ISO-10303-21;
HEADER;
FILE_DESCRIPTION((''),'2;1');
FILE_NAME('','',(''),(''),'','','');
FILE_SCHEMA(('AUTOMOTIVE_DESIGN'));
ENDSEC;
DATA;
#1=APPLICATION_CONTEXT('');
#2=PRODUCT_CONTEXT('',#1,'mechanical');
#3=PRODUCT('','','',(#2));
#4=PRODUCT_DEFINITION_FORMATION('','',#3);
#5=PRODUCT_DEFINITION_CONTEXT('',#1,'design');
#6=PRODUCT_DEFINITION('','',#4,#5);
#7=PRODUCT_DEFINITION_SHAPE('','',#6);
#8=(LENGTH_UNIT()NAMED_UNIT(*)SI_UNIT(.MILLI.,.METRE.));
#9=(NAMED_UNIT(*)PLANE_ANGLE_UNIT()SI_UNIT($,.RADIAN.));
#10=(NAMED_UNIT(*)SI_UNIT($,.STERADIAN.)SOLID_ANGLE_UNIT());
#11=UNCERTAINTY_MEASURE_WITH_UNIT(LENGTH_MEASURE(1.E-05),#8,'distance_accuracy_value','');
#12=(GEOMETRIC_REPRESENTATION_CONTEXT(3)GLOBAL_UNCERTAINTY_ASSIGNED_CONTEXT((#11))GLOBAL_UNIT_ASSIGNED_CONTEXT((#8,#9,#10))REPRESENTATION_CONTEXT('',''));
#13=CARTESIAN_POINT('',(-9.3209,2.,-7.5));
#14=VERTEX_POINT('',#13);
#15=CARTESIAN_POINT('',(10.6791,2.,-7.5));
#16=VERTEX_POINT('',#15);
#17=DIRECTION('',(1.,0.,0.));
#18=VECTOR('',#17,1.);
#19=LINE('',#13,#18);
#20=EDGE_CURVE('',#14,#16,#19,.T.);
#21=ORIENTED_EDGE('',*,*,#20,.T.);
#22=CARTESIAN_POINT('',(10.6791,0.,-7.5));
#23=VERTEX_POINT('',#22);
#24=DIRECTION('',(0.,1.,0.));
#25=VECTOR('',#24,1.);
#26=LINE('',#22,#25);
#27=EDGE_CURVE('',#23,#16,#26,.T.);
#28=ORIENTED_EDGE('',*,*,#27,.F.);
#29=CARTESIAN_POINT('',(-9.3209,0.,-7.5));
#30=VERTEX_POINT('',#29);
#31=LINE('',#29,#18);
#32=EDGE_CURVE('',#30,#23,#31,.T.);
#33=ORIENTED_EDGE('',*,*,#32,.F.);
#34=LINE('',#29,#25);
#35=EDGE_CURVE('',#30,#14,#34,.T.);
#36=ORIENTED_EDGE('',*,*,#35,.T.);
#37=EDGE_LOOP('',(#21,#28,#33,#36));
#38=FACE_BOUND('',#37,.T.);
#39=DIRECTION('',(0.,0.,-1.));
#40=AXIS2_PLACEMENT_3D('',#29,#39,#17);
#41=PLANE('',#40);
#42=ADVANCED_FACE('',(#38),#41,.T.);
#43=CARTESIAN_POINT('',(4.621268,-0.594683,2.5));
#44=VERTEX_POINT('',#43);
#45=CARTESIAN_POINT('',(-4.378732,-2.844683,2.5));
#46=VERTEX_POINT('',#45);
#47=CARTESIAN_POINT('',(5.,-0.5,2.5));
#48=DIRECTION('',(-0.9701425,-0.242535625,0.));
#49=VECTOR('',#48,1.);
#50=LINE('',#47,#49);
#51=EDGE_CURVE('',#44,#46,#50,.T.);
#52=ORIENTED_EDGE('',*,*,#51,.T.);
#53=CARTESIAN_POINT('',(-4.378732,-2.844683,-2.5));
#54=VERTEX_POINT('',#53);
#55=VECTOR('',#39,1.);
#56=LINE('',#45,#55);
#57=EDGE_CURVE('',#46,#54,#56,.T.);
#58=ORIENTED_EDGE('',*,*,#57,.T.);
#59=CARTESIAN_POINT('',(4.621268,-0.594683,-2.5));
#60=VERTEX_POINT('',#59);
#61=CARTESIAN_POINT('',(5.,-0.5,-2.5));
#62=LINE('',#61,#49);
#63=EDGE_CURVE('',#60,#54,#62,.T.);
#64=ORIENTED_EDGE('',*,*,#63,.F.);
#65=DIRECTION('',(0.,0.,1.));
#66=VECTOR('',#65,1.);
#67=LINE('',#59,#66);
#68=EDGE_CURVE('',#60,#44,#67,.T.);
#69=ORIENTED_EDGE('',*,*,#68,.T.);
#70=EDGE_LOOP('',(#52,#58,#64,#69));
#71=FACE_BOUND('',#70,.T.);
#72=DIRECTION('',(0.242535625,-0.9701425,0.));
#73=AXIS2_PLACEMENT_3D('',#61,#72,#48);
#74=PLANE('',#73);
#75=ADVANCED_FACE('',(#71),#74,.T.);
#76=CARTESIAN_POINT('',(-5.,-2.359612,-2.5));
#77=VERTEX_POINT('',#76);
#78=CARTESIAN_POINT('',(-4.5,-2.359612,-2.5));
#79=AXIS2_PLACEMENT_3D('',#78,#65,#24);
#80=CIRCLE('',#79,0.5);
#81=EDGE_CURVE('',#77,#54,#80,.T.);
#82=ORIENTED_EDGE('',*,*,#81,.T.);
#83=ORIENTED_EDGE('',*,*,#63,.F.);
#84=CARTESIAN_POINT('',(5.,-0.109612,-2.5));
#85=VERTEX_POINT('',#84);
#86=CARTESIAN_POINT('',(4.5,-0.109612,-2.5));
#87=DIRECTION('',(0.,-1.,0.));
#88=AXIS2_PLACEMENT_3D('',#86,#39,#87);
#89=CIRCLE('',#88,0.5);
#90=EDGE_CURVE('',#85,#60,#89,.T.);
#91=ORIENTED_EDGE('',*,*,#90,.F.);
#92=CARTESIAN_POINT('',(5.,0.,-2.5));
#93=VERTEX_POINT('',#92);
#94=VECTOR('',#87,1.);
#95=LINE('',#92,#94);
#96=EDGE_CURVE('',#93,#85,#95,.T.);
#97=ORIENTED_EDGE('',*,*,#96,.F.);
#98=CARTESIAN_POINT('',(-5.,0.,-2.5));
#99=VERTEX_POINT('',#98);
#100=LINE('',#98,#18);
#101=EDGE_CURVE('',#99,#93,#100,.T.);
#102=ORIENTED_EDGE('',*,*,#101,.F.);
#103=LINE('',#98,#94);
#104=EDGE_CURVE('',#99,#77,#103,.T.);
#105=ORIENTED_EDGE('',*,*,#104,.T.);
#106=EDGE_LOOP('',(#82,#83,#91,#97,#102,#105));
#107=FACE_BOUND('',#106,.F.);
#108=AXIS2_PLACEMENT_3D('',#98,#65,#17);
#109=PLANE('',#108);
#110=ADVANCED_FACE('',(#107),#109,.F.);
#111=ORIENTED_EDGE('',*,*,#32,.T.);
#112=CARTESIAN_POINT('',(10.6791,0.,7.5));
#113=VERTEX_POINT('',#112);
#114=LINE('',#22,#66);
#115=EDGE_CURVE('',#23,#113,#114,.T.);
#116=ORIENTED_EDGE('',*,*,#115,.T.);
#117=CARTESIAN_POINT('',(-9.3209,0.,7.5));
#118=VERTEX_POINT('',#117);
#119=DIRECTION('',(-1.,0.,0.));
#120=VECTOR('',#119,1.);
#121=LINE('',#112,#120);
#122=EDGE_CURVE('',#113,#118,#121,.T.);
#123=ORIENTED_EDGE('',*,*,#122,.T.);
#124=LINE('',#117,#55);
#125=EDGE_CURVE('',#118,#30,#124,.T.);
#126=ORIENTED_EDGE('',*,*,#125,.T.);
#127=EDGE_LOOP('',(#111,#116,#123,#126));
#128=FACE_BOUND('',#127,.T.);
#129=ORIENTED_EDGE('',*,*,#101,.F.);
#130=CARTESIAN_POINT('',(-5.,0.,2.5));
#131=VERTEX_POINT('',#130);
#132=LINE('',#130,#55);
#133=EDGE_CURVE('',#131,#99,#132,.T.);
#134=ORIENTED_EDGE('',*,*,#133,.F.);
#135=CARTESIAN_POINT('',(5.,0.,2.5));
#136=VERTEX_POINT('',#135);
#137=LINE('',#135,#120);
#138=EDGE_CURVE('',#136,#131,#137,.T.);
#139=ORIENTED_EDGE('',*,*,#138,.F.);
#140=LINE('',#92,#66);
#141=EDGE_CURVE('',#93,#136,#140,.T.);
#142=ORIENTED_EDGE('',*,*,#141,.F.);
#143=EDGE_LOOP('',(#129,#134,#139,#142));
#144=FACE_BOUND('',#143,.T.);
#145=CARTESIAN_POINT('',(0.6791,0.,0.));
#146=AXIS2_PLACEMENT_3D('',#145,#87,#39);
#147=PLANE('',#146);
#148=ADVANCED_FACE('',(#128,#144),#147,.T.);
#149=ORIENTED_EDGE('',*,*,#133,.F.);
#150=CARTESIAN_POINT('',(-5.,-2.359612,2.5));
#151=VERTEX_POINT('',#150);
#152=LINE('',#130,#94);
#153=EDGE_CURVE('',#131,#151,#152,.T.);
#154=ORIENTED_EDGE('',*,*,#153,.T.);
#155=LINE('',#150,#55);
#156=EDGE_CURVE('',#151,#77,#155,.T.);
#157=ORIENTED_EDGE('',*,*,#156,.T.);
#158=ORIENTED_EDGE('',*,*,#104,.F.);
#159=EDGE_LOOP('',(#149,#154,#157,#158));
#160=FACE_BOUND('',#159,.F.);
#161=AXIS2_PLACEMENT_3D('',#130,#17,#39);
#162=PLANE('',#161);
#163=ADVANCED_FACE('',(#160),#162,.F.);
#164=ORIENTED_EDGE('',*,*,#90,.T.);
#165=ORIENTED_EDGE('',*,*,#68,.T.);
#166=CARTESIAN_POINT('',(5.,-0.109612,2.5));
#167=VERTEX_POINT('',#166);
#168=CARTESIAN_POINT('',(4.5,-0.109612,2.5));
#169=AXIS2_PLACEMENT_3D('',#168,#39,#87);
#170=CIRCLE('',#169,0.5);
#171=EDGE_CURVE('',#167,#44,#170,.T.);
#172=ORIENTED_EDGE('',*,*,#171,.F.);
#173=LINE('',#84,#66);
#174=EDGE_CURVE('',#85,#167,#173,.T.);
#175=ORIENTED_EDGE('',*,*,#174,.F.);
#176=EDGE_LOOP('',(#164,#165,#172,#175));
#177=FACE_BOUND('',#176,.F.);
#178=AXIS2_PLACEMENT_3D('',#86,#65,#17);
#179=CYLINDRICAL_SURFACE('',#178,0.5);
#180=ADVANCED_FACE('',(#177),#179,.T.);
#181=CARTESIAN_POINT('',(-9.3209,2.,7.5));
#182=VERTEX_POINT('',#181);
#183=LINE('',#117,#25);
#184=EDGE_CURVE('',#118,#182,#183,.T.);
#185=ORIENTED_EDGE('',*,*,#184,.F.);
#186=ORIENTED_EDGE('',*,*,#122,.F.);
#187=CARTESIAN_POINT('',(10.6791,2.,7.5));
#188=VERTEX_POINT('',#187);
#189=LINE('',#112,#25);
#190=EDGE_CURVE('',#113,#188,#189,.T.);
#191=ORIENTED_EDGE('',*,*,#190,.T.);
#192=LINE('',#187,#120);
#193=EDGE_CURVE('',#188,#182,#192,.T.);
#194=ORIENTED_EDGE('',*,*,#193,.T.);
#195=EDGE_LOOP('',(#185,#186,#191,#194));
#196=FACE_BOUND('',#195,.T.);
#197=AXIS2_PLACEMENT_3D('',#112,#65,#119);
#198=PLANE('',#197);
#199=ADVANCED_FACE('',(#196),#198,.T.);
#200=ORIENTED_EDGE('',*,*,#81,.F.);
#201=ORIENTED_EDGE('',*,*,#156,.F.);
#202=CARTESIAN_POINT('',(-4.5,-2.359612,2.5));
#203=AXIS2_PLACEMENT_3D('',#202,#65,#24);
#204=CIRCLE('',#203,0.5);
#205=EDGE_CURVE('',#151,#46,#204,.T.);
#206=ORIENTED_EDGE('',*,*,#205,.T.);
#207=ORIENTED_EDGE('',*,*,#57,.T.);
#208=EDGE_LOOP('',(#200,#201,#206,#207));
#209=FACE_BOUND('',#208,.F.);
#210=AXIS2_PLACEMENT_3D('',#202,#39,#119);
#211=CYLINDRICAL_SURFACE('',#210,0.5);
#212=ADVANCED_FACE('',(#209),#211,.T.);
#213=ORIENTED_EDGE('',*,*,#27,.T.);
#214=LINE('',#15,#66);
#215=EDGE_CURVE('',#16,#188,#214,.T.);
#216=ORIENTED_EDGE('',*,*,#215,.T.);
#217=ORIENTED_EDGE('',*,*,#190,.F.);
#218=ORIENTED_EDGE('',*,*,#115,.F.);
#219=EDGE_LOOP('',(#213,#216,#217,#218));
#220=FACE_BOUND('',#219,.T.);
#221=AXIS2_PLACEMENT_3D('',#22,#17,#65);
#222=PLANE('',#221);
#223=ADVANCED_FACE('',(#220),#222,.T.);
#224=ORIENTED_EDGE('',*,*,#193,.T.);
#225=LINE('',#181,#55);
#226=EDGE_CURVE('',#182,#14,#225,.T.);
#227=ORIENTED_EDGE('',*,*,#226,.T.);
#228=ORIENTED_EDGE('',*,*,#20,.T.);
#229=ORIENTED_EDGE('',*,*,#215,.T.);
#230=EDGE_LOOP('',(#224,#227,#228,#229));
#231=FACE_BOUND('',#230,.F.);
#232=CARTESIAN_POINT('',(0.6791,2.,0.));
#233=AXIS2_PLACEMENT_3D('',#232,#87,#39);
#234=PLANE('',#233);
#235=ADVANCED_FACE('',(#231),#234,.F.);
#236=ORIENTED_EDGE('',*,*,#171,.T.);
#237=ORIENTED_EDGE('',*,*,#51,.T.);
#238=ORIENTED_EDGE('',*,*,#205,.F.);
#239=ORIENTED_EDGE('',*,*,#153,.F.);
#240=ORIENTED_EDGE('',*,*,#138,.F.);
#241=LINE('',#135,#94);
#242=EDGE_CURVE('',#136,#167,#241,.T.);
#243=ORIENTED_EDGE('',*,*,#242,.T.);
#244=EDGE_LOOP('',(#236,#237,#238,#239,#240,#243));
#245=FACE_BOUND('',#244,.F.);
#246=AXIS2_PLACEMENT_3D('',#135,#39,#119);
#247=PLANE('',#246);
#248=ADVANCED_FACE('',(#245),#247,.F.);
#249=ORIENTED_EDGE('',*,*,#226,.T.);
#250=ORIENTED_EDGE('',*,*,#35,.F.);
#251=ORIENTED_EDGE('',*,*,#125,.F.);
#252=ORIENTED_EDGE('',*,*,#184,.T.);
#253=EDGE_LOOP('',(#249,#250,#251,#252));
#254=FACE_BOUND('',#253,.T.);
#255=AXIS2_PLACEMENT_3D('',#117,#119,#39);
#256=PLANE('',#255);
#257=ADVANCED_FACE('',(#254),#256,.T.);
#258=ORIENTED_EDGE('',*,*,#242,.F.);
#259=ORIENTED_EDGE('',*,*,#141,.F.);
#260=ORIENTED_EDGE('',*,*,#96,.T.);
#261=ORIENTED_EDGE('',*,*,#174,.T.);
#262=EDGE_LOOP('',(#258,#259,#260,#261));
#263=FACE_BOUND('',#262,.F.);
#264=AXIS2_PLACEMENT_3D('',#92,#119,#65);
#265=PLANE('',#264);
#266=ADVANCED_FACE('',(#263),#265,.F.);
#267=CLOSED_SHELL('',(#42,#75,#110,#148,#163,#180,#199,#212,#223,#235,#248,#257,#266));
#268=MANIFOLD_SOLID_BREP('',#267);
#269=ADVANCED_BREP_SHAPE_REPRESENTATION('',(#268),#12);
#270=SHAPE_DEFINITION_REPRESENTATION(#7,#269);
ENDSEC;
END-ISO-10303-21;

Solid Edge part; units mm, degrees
sketch "Sketch1" plane through (0, 0, 0) normal (0, -1, 0) x (1, 0, 0)
  line L0 (10.6791, 7.5) -> (-9.3209, 7.5)
  line L1 (-9.3209, 7.5) -> (-9.3209, -7.5)
  line L2 (-9.3209, -7.5) -> (10.6791, -7.5)
  line L3 (10.6791, -7.5) -> (10.6791, 7.5)
extrude "Protrusion1" add sketch "Sketch1" against normal blind 2
sketch "Sketch2" plane through (0.6791, 0, 0) normal (0, -1, 0) x (1, 0, 0)
  line L0 (4.3209, 2.5) -> (-5.6791, 2.5)
  line L1 (-5.6791, 2.5) -> (-5.6791, -2.5)
  line L2 (-5.6791, -2.5) -> (4.3209, -2.5)
  line L3 (4.3209, -2.5) -> (4.3209, 2.5)
extrude "ExtrudedProtrusion_2" add sketch "Sketch2" along normal blind 3
sketch "Sketch3" plane through (0, -1.5, -2.5) normal (0, 0, -1) x (1, 0, 0)
  line L0 (5, 1.5) -> (5, -1)
  line L1 (5, -1) -> (-5, 1.5)
  line L2 (-5, 1.5) -> (5, 1.5)
extrude "ExtrudedCutout_2" cut sketch "Sketch3" against normal blind 5
fillet "Round_2" radius 0.5 2 edges at (-5, -3, 0) (5, -0.5, 0)
